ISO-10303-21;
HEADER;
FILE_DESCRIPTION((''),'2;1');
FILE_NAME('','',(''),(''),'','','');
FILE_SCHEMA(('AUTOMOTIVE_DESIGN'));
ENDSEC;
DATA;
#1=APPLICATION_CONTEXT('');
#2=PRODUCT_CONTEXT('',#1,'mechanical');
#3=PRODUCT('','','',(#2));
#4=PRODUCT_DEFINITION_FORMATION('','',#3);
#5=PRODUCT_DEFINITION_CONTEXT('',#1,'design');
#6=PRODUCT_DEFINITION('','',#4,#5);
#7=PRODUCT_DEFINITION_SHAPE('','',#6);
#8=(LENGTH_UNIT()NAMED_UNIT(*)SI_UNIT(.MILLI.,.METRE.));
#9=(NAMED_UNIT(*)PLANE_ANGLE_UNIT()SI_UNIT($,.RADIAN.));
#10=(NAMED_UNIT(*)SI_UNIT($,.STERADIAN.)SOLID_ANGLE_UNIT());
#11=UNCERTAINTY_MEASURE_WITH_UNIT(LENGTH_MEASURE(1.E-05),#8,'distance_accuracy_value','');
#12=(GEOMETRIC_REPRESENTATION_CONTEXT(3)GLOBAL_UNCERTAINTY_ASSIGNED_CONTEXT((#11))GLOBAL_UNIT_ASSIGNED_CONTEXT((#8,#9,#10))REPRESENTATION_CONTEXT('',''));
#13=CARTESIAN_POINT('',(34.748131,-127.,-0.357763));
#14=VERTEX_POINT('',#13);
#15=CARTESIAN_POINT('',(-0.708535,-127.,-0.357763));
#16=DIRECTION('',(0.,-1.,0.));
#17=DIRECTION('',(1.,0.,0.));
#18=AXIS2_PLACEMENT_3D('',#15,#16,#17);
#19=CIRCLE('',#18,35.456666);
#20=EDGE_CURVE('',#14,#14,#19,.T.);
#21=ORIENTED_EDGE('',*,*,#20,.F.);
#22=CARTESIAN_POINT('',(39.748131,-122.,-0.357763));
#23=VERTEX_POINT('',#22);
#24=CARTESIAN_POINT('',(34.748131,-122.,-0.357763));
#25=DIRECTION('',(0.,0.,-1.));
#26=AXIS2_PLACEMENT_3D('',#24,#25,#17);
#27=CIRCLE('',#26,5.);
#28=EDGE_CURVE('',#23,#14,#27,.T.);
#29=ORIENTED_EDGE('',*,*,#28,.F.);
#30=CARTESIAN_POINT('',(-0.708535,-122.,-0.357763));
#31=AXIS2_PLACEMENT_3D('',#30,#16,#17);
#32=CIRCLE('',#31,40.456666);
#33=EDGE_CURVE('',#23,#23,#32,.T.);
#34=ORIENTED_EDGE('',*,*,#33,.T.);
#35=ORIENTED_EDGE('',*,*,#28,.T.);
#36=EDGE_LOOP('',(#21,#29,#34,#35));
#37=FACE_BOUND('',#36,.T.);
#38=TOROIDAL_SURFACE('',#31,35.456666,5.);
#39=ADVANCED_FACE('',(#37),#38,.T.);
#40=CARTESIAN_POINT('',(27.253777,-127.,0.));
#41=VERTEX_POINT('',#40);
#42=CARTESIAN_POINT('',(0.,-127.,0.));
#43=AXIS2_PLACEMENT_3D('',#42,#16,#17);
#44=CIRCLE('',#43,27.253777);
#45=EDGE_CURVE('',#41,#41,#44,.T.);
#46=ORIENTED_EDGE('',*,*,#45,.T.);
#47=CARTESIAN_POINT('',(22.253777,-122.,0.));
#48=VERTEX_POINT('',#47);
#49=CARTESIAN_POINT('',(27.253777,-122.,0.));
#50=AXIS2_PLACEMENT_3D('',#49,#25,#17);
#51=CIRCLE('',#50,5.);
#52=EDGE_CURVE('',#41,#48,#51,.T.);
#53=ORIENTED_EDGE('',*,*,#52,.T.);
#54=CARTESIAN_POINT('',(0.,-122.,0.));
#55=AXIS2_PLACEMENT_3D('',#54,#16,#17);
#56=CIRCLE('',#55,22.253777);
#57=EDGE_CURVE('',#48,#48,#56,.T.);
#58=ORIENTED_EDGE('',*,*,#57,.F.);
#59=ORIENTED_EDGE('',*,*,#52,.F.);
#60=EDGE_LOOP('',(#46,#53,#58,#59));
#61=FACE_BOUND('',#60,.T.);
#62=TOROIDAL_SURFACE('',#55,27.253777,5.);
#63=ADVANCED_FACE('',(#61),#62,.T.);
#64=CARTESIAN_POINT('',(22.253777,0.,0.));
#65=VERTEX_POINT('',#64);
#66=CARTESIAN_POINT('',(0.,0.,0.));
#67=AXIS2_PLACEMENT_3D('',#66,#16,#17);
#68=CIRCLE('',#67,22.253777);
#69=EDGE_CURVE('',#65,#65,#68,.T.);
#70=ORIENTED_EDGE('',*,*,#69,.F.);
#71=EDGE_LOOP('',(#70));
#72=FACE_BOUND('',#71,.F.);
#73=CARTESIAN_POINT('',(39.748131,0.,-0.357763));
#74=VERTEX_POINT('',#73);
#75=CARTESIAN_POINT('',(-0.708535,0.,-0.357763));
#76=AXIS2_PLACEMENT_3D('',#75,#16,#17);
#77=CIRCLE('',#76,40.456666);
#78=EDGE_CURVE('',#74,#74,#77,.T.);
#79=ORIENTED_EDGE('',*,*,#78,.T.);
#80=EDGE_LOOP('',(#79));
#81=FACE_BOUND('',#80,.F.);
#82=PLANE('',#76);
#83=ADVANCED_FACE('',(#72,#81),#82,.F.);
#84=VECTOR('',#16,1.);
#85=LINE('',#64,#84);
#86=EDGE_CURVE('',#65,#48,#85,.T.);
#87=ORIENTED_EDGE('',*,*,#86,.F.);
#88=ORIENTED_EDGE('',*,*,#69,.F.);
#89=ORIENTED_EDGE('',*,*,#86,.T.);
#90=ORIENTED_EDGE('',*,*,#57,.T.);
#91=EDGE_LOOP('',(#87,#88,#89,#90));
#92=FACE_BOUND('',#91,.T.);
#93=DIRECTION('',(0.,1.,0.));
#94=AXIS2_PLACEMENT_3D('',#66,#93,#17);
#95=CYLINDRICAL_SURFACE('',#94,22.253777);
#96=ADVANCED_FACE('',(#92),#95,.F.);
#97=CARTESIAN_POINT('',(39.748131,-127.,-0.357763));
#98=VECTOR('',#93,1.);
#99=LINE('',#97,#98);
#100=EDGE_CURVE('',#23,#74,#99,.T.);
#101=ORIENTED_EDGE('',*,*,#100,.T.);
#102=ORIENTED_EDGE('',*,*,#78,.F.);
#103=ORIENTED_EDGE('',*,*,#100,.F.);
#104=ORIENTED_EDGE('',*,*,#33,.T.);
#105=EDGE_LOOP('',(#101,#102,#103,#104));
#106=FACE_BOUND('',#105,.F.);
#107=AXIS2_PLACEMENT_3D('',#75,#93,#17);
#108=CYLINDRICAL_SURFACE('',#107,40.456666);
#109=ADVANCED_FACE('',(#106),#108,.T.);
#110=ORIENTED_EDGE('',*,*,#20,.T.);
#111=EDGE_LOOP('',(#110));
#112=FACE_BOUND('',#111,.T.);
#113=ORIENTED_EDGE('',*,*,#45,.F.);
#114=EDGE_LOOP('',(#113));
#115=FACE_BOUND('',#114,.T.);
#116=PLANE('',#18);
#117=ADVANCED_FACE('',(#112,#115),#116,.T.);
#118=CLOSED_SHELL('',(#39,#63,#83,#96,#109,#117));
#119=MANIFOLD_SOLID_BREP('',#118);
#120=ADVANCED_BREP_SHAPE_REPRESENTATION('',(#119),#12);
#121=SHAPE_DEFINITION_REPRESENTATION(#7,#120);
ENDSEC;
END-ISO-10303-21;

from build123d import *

# Parameters (mm, degrees)
F0_R     = 40.456666
F0_R_2   = 22.253777
F1_DEPTH = 127
F2_DEPTH = 50
F3_R     = 5
F4_R     = 5


with BuildPart() as f1:
    # F0 (on Front) → F1 (new body)
    with BuildSketch(Plane.XZ):
        with Locations((-0.708535, -0.357763)):
            Circle(F0_R)
        Circle(F0_R_2, mode=Mode.SUBTRACT)
    extrude(amount=F1_DEPTH)

    # F0 (on Front) → F2 (join)
    with BuildSketch(Plane.XZ):
        with Locations((-0.708535, -0.357763)):
            Circle(F0_R)
        Circle(F0_R_2, mode=Mode.SUBTRACT)
    extrude(amount=F2_DEPTH)

    # F3
    f3_edges = [f1.edges().sort_by_distance(p)[0] for p in [
        (-41.165201, -127, -0.357763),
    ]]
    fillet(f3_edges, radius=F3_R)

    # F4
    f4_edges = [f1.edges().sort_by_distance(p)[0] for p in [
        (-22.253777, -127, 0),
    ]]
    fillet(f4_edges, radius=F4_R)


solid = f1.part
